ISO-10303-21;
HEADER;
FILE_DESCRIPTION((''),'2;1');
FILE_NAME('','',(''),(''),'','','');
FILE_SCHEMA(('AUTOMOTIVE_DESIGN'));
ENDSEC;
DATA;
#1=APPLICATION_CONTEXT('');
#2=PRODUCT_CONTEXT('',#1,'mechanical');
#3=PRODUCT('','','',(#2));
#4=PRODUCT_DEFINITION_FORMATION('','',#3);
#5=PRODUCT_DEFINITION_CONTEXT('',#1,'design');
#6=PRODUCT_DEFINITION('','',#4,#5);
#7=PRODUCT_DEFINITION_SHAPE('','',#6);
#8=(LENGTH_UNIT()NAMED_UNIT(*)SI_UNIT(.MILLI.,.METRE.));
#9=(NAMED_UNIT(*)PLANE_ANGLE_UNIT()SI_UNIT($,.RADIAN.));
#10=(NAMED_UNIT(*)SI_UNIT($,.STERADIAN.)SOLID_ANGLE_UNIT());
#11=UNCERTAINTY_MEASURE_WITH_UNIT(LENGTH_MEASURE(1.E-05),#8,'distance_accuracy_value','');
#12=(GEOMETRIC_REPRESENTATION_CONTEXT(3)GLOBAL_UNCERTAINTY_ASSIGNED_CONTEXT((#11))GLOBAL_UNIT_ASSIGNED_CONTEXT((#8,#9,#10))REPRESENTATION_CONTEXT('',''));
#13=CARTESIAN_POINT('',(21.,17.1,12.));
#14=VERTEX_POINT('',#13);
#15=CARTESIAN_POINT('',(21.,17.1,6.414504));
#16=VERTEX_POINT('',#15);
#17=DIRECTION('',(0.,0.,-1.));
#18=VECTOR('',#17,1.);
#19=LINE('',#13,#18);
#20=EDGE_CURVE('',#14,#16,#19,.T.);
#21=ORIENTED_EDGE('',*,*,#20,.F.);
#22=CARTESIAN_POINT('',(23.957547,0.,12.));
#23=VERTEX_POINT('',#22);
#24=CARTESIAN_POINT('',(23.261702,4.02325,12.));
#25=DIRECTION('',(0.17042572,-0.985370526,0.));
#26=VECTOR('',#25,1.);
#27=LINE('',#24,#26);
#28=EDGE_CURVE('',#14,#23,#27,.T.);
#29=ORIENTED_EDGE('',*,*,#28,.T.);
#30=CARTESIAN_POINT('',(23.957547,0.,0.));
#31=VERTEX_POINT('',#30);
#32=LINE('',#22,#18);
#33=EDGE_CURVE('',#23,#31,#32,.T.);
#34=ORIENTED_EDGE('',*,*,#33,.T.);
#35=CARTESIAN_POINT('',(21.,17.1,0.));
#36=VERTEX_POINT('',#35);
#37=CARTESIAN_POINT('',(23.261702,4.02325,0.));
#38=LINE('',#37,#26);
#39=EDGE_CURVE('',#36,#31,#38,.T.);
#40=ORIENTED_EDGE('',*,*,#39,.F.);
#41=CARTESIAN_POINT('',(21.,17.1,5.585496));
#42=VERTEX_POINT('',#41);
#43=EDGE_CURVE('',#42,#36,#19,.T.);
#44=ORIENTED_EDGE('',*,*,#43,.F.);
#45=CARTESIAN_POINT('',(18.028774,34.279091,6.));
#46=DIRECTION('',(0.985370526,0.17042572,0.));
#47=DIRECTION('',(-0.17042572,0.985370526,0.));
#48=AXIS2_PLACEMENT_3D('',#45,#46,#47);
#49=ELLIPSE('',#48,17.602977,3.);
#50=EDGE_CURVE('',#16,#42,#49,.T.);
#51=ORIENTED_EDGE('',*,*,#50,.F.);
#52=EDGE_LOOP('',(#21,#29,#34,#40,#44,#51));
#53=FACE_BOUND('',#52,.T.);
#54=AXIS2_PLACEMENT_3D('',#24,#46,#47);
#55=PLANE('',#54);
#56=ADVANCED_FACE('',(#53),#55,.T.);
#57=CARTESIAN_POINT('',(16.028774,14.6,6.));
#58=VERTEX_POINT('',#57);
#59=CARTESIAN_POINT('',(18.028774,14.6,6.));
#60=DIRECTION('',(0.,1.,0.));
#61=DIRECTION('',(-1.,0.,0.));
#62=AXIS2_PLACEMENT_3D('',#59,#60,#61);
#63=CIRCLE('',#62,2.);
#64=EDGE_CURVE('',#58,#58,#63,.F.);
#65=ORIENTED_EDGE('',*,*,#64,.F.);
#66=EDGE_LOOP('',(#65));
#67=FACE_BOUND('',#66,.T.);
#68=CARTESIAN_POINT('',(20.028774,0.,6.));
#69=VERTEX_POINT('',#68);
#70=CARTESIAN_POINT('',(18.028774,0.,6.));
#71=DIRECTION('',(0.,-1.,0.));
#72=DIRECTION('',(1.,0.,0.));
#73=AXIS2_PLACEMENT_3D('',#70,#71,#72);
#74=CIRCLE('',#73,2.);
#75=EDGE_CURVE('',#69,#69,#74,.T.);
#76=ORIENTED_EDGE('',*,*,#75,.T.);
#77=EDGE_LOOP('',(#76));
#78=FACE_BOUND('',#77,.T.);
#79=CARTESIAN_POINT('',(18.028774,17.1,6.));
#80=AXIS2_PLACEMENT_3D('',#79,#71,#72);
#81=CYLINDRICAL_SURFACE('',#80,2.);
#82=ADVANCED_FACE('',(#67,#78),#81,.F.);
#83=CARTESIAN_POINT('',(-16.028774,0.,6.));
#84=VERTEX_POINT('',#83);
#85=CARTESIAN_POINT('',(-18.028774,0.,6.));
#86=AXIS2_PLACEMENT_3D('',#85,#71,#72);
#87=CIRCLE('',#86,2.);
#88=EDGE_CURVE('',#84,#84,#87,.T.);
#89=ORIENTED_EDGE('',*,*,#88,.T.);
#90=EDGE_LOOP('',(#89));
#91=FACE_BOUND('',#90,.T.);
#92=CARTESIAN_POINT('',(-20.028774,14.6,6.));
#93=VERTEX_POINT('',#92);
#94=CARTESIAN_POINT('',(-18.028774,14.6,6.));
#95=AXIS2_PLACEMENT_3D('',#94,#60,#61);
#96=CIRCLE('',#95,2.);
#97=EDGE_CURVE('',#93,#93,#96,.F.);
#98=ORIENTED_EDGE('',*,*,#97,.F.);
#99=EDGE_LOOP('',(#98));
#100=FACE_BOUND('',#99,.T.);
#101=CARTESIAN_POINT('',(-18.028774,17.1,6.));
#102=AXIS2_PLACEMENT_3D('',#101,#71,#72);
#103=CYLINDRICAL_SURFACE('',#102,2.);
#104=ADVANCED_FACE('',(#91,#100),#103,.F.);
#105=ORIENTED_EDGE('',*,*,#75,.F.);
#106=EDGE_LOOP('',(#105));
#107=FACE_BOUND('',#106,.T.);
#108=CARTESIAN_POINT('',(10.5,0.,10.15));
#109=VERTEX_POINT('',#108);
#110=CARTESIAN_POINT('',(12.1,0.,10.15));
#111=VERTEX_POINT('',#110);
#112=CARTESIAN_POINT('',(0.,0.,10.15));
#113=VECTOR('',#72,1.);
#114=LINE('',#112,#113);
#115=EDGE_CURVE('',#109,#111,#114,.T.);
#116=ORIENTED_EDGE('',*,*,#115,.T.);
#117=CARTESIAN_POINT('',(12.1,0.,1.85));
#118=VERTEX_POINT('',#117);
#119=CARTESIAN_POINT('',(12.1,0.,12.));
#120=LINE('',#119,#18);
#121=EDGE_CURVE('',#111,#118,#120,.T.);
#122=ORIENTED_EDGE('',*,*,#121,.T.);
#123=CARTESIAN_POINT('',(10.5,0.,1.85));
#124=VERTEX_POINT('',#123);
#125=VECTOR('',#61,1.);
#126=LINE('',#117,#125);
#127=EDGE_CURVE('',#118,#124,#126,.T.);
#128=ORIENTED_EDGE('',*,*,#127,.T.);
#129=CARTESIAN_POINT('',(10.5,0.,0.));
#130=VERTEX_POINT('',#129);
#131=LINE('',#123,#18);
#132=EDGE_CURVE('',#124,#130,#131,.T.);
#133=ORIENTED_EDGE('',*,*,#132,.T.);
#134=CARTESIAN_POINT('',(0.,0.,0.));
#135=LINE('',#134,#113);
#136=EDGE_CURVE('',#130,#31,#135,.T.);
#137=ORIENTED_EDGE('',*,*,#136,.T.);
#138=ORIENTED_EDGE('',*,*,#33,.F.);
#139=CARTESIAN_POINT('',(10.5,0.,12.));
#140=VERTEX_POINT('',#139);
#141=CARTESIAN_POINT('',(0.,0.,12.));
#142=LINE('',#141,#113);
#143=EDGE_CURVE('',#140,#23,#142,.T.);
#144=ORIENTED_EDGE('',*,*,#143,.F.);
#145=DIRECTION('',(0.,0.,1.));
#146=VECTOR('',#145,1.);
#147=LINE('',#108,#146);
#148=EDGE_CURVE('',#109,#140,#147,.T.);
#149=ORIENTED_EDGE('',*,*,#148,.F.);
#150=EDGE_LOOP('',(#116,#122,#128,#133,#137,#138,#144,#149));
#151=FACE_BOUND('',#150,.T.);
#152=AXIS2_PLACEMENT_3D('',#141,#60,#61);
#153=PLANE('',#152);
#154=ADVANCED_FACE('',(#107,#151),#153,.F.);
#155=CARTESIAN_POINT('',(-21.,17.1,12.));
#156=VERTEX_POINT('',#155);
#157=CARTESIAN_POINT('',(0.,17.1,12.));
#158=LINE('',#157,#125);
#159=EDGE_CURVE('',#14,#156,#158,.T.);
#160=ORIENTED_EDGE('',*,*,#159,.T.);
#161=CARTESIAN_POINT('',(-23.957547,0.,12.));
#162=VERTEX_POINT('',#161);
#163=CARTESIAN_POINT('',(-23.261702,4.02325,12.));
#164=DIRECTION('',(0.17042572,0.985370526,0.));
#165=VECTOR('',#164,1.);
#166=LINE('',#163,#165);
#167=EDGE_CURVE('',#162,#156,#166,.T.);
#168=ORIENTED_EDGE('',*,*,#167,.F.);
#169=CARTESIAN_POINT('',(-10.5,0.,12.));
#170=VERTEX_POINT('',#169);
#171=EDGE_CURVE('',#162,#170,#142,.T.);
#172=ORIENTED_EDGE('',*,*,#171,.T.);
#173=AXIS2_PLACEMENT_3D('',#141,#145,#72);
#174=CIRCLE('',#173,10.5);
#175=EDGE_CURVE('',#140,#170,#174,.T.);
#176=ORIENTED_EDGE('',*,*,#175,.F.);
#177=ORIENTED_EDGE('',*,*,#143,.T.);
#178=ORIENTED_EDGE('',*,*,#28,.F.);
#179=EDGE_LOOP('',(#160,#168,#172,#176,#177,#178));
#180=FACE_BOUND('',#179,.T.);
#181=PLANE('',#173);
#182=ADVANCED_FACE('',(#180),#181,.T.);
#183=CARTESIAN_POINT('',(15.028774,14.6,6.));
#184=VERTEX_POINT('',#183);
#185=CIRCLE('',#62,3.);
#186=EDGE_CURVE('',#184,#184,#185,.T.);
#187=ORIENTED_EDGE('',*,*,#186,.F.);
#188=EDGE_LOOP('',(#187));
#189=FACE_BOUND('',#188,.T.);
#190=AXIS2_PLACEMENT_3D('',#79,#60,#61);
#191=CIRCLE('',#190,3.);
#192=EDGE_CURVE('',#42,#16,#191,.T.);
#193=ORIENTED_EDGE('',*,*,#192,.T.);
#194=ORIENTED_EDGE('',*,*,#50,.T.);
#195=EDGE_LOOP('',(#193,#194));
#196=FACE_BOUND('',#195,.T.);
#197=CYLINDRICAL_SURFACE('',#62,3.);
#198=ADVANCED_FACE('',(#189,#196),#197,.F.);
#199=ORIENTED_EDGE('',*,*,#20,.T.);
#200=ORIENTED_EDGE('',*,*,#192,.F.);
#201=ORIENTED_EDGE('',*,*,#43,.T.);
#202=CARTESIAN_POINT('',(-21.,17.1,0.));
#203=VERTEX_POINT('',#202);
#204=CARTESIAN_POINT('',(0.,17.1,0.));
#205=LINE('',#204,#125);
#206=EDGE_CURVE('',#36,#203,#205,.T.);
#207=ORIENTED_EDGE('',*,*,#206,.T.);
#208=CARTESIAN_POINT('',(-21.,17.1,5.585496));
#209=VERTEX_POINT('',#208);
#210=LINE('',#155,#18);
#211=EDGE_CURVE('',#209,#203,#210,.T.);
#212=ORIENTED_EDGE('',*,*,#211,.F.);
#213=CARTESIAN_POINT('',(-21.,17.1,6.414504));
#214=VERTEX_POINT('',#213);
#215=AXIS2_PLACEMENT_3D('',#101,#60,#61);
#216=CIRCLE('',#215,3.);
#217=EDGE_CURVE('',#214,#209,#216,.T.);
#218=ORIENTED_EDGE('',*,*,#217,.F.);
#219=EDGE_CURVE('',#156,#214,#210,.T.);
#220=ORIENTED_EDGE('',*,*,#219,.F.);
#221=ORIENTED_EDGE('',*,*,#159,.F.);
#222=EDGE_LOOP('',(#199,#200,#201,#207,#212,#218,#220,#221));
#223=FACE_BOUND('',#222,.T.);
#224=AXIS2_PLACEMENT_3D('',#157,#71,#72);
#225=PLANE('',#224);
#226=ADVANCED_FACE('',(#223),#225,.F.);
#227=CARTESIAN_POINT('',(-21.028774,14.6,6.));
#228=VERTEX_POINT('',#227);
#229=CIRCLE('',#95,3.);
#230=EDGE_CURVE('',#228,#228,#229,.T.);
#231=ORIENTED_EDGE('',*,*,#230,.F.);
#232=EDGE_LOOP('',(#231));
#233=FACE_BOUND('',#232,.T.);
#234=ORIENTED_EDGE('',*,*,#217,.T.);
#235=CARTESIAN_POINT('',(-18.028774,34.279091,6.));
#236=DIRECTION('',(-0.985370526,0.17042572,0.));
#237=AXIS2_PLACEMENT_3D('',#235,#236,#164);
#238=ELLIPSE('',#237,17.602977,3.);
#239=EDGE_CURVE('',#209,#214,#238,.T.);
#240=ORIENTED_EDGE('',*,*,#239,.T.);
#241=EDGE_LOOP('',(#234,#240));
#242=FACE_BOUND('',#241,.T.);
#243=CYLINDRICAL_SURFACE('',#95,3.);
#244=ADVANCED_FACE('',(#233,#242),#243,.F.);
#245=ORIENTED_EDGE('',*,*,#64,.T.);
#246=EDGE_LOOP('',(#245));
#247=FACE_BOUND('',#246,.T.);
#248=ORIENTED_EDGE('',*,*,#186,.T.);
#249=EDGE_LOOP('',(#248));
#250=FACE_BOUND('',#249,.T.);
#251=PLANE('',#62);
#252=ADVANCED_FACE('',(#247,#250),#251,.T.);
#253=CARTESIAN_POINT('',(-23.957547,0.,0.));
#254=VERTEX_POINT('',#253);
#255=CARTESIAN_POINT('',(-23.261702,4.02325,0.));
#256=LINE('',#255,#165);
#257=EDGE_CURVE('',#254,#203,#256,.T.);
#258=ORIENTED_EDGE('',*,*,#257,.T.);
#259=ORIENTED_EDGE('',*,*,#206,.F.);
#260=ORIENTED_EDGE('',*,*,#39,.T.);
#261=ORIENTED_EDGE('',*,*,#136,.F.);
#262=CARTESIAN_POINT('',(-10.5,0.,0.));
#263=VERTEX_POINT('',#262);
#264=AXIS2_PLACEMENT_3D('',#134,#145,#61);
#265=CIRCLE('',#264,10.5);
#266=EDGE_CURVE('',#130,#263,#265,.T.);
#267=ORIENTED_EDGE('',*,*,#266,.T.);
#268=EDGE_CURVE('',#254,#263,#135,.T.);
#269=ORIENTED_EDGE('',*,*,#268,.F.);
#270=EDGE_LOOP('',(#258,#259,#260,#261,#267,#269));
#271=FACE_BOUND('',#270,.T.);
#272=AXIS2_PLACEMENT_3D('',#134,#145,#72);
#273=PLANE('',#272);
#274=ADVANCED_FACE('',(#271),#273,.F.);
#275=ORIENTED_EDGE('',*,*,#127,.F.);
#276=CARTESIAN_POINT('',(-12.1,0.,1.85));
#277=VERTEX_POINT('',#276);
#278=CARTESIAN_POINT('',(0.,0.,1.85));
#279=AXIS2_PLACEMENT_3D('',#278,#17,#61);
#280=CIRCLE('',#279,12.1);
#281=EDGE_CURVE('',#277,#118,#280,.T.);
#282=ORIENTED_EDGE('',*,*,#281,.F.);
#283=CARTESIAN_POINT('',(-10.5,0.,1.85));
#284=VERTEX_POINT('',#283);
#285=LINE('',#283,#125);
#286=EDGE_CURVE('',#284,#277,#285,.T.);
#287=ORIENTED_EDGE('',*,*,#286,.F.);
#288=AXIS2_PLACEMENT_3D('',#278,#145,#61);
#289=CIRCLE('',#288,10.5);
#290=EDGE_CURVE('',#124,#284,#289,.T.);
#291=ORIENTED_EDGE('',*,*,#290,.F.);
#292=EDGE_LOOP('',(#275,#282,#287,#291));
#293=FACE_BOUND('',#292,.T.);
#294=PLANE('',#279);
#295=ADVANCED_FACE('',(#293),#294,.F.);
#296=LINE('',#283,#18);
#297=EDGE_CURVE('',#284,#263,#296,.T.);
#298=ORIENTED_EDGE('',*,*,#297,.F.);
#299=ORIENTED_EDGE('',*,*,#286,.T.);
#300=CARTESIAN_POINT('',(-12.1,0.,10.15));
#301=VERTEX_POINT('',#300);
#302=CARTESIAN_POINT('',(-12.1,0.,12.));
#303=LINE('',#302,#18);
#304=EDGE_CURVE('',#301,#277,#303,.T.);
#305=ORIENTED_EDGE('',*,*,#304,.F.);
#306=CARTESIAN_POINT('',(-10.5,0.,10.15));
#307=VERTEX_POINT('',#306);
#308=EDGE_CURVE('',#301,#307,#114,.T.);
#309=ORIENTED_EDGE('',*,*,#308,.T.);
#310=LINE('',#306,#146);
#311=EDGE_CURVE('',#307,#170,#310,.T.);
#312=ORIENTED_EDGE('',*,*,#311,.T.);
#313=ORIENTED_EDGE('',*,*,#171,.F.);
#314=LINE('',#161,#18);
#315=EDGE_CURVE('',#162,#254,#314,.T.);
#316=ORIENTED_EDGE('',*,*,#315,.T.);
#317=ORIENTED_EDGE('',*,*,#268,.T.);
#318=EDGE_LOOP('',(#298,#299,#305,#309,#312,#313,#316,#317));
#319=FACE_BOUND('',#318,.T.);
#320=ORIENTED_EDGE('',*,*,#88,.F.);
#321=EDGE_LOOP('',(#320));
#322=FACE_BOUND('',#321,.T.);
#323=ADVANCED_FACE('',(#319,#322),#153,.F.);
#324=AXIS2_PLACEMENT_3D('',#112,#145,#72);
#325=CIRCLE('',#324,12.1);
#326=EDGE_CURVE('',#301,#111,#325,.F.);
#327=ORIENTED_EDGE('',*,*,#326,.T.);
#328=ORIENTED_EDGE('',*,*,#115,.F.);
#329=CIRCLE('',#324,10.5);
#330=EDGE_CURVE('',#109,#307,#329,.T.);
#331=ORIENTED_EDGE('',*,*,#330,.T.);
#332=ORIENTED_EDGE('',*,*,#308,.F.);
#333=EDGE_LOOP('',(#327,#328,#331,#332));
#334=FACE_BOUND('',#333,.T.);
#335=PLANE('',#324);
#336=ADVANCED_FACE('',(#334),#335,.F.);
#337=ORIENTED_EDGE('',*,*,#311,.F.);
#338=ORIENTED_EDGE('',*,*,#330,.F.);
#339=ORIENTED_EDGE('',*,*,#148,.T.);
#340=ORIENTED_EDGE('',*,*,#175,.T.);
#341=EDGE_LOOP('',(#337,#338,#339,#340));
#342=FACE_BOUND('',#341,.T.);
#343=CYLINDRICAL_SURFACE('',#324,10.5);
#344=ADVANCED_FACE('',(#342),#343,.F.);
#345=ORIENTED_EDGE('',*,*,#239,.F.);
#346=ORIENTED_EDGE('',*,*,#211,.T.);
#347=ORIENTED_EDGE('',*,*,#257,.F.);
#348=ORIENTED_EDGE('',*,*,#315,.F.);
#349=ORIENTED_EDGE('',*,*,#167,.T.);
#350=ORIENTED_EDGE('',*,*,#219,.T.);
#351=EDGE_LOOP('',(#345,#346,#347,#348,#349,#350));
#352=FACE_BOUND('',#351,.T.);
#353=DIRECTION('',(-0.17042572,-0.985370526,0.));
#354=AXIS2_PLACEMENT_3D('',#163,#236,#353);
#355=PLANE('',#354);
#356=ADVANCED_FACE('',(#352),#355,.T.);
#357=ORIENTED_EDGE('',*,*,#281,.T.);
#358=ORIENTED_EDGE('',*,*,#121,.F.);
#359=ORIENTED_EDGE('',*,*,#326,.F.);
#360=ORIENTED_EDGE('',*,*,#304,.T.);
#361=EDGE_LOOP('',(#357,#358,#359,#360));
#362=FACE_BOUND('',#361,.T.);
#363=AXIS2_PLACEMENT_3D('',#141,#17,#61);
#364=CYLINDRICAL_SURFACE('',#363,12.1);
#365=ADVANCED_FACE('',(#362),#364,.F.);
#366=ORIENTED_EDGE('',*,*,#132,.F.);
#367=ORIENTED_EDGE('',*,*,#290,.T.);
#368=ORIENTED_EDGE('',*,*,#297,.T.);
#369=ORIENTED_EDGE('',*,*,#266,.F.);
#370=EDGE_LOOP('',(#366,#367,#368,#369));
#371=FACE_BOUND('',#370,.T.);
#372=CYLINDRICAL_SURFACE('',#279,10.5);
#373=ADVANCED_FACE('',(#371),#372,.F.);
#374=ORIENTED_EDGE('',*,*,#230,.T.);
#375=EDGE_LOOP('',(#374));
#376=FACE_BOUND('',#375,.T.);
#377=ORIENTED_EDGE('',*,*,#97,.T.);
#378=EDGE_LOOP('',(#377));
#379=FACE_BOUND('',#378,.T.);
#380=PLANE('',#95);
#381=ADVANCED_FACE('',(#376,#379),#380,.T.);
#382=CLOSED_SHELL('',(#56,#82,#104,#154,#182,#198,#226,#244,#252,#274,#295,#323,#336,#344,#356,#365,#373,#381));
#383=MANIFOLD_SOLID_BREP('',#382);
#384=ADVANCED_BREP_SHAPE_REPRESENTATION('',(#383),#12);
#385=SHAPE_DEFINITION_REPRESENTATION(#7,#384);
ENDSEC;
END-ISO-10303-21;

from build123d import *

# Parameters (mm, degrees)
ESTRUSIONE_ESTRUSIONE1_DEPTH = 12
SCHIZZO2_R                   = 2
TAGLIO_ESTRUSIONE1_DEPTH     = 32.786381776
SCHIZZO3_R                   = 3
TAGLIO_ESTRUSIONE2_DEPTH     = 2.5
ESTRUSIONE_ESTRUSIONE2_START = -1.85
ESTRUSIONE_ESTRUSIONE2_DEPTH = 1.85
ESTRUSIONE_ESTRUSIONE3_DEPTH = 1.85


with BuildPart() as part:
    # Schizzo1 → Estrusione-Estrusione1 (new body)
    with BuildSketch(Plane.XY):
        with BuildLine():
            Line((21, 17.1), (-21, 17.1))
            Line((-21, 17.1), (-21, 0))
            Line((-21, 0), (-12.1, 0))
            ThreePointArc((-12.1, 0), (0, 12.1), (12.1, 0))
            Line((12.1, 0), (21, 0))
            Line((21, 0), (21, 17.1))
        make_face()
        Polygon((-21, 17.1), (-23.95754717, 0), (-21, 0), align=None)
        Polygon((21, 0), (23.95754717, 0), (21, 17.1), align=None)
    extrude(amount=ESTRUSIONE_ESTRUSIONE1_DEPTH)

    # Schizzo2 → Taglio-Estrusione1 (cut, through all)
    with BuildSketch(Plane.XZ):
        with Locations((-18.028773585, 6)):
            Circle(SCHIZZO2_R)
        with Locations((18.028773585, 6)):
            Circle(SCHIZZO2_R)
    extrude(amount=-TAGLIO_ESTRUSIONE1_DEPTH, mode=Mode.SUBTRACT)

    # Schizzo3 → Taglio-Estrusione2 (cut)
    with BuildSketch(Plane(origin=(0, 17.1, 0), x_dir=(1, 0, 0), z_dir=(0, 1, 0))):
        with Locations(Location((-18.028773585, -6, 0), (0, 0, 180))):
            Circle(SCHIZZO3_R)
        with Locations(Location((18.028773585, -6, 0), (0, 0, 180))):
            Circle(SCHIZZO3_R)
    extrude(amount=-TAGLIO_ESTRUSIONE2_DEPTH, mode=Mode.SUBTRACT)

    # Schizzo4 → Estrusione-Estrusione2 (add)
    with BuildSketch(Plane.XY.offset(12).offset(ESTRUSIONE_ESTRUSIONE2_START)):
        with BuildLine():
            ThreePointArc((-10.5, 0), (0, 10.5), (10.5, 0))
            Line((10.5, 0), (12.1, 0))
            ThreePointArc((12.1, 0), (0, 12.1), (-12.1, 0))
            Line((-12.1, 0), (-10.5, 0))
        make_face()
    extrude(amount=ESTRUSIONE_ESTRUSIONE2_DEPTH)

    # Schizzo5 → Estrusione-Estrusione3 (add)
    with BuildSketch(Plane(origin=(0, 0, 0), x_dir=(-1, 0, 0), z_dir=(0, 0, -1))):
        with BuildLine():
            Line((10.5, 0), (12.1, 0))
            ThreePointArc((12.1, 0), (0, 12.1), (-12.1, 0))
            Line((-12.1, 0), (-10.5, 0))
            ThreePointArc((-10.5, 0), (0, 10.5), (10.5, 0))
        make_face()
    extrude(amount=-ESTRUSIONE_ESTRUSIONE3_DEPTH)


solid = part.part
